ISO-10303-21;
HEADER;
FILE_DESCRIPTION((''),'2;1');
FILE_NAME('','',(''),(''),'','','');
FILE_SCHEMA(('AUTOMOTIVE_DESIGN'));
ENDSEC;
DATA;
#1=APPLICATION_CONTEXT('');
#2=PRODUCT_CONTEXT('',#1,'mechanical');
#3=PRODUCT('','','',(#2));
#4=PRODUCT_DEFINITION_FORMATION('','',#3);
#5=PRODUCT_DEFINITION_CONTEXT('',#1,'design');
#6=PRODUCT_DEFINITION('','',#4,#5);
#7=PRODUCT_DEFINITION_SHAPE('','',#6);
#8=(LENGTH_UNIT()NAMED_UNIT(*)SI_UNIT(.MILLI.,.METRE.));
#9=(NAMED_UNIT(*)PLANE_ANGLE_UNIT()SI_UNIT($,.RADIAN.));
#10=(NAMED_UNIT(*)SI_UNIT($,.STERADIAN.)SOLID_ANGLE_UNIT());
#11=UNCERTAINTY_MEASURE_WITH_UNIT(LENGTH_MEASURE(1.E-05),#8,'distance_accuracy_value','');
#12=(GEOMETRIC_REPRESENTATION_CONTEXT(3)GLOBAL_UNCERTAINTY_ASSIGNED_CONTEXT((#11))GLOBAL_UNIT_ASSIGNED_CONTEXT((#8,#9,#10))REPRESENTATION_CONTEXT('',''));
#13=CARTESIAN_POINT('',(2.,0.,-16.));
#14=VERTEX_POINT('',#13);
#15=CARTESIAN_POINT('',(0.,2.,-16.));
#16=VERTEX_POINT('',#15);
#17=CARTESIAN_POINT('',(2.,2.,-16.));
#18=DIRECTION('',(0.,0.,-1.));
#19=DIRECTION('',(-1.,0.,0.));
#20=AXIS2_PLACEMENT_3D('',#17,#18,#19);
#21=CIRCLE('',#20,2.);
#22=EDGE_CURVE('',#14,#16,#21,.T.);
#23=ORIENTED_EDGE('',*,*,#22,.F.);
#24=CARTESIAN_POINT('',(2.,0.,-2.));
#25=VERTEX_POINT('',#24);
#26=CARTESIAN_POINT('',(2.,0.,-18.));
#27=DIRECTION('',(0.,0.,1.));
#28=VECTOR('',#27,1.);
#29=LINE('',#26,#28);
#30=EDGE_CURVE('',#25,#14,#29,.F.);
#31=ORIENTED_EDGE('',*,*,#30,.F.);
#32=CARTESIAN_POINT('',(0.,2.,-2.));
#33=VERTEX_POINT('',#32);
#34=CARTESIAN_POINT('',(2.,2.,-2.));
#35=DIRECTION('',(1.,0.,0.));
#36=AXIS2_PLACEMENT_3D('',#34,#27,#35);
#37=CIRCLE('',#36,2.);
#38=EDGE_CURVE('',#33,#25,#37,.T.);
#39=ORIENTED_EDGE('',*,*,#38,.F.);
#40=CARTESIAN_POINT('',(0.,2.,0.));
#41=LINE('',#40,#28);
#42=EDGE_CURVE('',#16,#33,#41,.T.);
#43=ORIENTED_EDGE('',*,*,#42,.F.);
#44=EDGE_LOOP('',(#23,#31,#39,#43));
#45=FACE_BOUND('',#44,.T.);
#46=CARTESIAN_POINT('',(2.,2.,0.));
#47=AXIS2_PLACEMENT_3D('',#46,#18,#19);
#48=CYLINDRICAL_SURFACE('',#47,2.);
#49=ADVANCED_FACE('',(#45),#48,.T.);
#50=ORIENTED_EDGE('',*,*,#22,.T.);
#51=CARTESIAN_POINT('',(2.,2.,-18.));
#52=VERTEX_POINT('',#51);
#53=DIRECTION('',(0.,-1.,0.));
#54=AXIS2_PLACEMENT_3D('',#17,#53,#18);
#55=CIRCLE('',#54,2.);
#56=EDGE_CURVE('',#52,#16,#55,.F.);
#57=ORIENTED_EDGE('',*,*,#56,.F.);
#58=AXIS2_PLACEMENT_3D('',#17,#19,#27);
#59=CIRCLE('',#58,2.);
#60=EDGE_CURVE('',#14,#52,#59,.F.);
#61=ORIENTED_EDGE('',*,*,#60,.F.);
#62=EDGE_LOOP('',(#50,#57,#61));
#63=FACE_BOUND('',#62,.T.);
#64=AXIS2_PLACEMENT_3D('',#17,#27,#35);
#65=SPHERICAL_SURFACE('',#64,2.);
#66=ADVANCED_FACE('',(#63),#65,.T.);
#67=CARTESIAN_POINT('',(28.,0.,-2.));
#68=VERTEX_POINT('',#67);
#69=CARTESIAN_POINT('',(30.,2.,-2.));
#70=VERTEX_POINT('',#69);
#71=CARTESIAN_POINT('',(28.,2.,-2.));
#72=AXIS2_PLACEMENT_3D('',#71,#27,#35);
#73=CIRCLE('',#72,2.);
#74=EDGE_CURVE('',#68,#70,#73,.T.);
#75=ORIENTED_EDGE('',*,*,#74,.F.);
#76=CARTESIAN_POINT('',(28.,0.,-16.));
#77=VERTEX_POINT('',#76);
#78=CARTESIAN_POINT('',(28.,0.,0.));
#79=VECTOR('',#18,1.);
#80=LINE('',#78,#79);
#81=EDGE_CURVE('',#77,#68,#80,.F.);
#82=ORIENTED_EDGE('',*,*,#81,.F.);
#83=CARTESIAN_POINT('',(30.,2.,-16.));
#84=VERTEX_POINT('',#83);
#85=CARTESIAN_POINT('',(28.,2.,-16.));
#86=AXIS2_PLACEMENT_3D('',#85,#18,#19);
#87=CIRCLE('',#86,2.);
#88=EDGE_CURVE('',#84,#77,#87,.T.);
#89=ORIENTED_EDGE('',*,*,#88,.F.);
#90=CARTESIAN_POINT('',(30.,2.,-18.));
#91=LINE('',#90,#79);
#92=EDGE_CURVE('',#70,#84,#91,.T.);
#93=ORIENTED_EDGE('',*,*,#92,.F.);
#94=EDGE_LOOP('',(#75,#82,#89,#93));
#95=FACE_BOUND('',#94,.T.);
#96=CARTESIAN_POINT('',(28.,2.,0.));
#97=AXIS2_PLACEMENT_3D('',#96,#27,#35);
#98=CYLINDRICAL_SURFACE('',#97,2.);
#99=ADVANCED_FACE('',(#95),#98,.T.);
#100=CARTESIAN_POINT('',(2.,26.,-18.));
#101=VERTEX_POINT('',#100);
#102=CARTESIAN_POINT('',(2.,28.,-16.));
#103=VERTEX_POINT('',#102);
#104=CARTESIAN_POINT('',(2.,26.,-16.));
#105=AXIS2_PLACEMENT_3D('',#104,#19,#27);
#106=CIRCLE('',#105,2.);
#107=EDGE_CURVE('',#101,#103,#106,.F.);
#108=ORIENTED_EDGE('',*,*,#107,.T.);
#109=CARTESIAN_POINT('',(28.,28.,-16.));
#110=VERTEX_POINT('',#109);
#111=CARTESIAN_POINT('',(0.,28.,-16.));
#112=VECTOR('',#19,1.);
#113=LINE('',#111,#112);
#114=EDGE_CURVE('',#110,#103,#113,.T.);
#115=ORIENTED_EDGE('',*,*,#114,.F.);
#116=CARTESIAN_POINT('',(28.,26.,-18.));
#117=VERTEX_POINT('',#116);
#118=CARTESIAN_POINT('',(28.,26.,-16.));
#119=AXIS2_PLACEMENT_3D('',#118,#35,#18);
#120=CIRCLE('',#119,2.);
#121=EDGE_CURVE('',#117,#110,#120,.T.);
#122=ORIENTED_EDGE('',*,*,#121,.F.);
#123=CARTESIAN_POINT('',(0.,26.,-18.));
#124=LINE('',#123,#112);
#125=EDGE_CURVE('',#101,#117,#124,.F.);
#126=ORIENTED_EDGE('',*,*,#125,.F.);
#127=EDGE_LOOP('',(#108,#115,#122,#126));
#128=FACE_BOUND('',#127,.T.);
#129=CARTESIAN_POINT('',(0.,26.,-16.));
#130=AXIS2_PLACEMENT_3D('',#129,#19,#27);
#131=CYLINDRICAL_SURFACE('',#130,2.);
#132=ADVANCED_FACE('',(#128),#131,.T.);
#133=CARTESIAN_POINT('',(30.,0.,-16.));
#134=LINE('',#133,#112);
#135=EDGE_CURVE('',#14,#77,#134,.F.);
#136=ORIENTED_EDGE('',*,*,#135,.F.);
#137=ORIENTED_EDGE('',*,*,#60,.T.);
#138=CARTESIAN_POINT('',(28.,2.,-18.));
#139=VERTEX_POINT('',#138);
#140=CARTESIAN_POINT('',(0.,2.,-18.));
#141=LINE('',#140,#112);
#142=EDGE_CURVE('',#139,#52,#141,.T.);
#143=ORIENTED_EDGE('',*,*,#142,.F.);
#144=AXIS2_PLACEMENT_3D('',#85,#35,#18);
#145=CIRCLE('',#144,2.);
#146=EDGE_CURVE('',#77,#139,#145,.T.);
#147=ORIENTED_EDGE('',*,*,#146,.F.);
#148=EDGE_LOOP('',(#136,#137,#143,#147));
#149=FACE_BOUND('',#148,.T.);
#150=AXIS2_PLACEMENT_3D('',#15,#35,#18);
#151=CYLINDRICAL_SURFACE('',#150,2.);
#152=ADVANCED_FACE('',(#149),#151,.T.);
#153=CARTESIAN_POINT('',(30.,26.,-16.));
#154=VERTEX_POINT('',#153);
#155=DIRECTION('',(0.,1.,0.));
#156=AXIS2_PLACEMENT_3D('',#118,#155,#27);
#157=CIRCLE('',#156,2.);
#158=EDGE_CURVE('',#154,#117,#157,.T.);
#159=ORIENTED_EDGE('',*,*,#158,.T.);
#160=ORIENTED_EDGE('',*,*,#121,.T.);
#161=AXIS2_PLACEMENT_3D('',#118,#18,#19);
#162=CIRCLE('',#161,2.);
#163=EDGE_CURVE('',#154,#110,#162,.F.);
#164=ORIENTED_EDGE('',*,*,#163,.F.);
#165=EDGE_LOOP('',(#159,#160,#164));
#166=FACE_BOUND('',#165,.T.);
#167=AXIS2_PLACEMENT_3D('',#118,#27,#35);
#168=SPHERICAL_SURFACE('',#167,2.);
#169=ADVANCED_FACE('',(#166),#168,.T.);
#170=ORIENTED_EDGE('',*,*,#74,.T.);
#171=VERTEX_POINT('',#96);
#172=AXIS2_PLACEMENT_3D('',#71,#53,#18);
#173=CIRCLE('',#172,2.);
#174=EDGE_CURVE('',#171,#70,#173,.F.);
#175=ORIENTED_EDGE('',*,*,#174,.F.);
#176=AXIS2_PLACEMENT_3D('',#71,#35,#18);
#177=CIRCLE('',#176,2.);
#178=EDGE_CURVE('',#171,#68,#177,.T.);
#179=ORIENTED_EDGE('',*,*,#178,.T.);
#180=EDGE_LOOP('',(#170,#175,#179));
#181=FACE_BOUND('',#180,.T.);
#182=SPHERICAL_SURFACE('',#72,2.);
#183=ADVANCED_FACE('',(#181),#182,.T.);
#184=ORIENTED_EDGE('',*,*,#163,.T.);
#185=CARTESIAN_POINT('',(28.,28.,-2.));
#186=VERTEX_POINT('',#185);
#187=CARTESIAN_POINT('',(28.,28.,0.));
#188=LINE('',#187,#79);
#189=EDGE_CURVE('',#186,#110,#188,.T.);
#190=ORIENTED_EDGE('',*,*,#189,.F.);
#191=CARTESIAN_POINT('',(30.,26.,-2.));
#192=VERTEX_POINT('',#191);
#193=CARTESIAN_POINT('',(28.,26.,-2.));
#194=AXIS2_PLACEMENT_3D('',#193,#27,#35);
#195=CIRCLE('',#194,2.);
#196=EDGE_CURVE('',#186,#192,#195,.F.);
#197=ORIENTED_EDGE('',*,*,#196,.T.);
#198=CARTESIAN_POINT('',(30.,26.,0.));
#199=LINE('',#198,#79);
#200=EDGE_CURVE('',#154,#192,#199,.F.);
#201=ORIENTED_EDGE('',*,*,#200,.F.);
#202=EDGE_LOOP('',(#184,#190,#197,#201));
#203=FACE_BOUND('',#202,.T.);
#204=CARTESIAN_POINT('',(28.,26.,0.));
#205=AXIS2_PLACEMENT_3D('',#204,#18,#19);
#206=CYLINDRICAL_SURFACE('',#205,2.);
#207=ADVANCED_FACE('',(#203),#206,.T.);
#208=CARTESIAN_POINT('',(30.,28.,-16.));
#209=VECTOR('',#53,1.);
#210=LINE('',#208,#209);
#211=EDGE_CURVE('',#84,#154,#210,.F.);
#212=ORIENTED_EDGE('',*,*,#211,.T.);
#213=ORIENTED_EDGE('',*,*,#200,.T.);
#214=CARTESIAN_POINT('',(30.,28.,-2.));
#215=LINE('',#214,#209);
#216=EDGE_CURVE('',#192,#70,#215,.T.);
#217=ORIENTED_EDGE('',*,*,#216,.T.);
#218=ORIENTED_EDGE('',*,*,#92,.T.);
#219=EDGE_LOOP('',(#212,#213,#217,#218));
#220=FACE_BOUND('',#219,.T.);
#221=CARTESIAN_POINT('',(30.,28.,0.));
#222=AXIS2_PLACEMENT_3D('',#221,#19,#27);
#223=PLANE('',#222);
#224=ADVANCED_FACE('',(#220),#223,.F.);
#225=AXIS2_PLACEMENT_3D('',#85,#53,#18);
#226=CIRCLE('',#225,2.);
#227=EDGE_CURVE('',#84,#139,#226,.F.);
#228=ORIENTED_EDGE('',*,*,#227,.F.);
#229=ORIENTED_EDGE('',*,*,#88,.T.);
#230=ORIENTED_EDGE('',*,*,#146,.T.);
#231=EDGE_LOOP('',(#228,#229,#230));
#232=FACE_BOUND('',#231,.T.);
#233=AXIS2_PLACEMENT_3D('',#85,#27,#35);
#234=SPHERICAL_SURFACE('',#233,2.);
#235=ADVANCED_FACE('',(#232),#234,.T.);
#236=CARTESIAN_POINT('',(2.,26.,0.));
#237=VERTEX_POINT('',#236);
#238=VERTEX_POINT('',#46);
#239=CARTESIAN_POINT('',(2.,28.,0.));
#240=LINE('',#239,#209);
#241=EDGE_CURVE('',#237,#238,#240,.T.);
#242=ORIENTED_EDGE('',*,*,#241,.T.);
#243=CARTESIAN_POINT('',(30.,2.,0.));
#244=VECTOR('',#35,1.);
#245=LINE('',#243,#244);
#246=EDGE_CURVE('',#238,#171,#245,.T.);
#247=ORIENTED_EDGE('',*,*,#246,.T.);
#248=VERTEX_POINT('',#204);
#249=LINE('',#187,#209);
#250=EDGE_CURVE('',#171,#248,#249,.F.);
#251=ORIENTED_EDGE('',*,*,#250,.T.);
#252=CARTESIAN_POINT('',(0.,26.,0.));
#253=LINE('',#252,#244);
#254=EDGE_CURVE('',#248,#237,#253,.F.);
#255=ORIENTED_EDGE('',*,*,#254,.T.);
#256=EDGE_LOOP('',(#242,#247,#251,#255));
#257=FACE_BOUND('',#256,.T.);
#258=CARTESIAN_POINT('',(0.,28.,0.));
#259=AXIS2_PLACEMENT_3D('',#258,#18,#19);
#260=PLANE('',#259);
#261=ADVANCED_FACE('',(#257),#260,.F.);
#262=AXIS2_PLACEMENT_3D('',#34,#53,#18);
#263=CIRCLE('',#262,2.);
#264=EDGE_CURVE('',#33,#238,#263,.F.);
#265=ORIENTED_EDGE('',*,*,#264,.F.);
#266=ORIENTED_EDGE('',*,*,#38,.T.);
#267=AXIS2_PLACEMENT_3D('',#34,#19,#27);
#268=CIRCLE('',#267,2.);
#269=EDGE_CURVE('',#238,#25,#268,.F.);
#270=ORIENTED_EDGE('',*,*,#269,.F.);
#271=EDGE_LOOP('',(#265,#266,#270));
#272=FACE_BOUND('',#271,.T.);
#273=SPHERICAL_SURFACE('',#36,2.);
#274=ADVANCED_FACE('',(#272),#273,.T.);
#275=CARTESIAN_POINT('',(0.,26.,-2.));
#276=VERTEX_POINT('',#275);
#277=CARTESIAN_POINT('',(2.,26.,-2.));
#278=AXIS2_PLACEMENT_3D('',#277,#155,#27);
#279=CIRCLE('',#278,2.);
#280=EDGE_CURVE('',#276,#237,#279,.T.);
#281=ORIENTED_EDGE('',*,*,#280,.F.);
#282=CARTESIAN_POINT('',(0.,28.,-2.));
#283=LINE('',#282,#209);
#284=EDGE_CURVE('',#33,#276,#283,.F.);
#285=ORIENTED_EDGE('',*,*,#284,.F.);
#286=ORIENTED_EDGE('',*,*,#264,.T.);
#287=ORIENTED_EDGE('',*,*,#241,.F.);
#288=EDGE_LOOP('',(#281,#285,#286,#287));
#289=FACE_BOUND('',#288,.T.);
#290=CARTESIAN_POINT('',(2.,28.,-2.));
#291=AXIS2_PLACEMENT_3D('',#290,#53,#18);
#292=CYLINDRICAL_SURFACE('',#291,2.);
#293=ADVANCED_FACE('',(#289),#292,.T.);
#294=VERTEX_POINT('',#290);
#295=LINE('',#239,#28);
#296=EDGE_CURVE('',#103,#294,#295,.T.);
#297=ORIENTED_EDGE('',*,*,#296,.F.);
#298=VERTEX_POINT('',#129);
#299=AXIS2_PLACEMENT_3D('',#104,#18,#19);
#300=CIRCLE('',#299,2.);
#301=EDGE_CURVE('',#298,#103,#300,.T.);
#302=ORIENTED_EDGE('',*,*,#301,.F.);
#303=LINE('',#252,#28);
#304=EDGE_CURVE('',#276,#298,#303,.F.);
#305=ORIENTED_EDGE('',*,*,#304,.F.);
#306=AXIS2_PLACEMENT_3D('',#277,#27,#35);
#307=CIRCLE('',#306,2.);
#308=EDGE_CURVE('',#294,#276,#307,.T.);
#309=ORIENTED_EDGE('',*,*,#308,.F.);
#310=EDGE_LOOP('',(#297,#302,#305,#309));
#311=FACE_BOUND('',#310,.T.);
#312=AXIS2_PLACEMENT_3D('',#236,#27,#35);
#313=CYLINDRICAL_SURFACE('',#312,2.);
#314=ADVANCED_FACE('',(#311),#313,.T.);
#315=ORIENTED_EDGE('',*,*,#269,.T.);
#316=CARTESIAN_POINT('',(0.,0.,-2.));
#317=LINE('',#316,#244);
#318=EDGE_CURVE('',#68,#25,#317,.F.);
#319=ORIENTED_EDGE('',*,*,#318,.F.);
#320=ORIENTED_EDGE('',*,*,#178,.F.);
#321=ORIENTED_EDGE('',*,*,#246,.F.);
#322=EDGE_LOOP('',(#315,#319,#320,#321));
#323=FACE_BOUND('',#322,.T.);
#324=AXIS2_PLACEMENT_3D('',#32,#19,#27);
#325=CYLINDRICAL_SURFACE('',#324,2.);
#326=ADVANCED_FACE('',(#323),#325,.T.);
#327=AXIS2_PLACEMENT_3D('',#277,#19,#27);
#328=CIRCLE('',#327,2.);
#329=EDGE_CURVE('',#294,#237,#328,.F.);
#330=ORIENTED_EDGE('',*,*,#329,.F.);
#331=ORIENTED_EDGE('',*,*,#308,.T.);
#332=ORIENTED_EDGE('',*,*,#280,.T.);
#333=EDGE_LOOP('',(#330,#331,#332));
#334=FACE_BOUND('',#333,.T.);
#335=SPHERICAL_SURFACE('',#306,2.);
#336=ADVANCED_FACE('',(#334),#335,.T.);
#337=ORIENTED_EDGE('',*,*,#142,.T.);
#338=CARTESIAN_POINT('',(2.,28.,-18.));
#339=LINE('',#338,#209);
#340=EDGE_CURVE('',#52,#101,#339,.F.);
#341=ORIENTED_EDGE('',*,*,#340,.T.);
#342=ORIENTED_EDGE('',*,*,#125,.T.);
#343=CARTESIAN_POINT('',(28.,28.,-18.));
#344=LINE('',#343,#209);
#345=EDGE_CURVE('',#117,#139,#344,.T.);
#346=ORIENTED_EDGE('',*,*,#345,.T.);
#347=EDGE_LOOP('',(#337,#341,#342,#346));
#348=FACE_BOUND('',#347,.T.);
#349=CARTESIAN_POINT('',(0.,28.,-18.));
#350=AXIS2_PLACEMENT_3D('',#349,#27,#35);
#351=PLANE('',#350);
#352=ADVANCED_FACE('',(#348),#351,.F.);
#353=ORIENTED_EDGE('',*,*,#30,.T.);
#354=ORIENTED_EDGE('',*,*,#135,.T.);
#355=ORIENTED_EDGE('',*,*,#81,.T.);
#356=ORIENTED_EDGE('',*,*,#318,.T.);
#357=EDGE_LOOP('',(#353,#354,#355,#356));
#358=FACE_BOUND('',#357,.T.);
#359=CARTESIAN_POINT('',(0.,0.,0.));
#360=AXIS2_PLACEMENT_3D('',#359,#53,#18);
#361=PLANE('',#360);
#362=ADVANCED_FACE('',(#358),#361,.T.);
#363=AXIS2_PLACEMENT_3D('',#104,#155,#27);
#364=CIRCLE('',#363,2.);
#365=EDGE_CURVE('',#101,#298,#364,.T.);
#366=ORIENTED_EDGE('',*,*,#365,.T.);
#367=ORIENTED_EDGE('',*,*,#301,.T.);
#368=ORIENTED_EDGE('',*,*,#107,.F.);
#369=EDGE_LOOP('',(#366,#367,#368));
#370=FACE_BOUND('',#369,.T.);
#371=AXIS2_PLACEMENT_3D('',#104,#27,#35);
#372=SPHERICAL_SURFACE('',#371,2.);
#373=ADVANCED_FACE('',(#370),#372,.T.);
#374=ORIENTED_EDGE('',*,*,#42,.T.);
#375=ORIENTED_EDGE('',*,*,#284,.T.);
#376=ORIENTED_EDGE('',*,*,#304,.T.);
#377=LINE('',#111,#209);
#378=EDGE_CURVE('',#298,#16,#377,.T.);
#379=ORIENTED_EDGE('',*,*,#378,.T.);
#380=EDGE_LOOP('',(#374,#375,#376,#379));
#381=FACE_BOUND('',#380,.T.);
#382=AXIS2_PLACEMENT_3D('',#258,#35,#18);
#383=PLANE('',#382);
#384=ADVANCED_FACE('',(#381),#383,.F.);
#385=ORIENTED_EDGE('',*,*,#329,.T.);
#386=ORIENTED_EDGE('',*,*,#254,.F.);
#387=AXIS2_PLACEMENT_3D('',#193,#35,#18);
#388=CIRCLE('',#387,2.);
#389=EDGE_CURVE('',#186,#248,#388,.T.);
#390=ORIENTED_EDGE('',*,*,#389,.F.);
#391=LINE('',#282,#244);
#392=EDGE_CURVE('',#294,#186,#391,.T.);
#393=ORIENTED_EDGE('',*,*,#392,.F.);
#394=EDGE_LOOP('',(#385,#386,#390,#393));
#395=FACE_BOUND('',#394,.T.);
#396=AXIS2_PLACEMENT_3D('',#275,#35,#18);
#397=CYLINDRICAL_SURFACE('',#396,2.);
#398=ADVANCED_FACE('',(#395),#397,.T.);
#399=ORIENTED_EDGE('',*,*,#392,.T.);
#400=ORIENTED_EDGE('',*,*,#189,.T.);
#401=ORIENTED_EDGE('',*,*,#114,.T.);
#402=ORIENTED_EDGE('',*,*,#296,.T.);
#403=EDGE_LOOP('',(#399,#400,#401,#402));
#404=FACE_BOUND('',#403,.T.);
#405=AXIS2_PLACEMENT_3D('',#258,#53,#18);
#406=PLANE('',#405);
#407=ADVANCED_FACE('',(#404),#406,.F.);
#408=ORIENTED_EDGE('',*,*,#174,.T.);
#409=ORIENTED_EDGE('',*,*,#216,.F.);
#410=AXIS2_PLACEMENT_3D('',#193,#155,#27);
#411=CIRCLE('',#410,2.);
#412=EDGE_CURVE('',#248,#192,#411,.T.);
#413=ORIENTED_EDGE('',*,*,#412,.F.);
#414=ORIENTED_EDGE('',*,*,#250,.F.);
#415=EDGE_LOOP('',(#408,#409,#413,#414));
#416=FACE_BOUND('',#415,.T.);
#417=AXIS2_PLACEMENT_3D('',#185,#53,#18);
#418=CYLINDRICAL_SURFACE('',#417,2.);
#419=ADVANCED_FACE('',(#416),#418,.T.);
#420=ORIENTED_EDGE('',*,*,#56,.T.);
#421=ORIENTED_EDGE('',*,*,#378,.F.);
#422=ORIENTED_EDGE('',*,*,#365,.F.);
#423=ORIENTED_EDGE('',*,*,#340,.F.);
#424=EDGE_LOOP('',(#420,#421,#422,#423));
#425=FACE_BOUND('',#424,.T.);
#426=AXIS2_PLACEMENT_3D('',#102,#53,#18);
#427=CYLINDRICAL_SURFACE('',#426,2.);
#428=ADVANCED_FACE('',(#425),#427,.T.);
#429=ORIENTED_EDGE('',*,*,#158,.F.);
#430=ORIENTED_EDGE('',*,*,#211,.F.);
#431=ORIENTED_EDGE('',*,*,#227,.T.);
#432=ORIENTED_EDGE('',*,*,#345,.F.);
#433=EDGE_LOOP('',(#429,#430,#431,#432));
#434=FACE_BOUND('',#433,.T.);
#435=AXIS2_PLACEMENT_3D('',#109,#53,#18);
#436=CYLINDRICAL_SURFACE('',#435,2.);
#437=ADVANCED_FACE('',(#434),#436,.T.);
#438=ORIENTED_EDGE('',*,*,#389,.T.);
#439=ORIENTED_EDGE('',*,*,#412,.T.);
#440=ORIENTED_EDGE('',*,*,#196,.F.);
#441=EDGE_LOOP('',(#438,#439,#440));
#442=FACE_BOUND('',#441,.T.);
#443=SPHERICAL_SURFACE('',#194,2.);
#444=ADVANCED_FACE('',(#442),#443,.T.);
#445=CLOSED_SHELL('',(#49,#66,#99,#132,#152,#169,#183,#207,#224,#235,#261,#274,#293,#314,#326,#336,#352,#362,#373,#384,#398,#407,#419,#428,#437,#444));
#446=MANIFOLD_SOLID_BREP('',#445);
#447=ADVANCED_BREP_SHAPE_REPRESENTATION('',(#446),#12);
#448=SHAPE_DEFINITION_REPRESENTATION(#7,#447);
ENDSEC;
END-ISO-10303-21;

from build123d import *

# Parameters (mm, degrees)
SKETCH1_W           = 30
SKETCH1_H           = 18
BOSS_EXTRUDE1_DEPTH = 28
FILLET1_R           = 2


with BuildPart() as part:
    # Sketch1 → Boss-Extrude1 (new body)
    with BuildSketch(Plane(origin=(0, 0, 0), x_dir=(1, 0, 0), z_dir=(0, 1, 0))):
        with Locations((15, 9)):
            Rectangle(SKETCH1_W, SKETCH1_H)
    extrude(amount=BOSS_EXTRUDE1_DEPTH)

    # Fillet1
    fillet1_edges = [part.edges().sort_by_distance(p)[0] for p in [
        (30, 28, -9),
        (15, 28, -18),
        (0, 28, -9),
        (15, 0, -18),
        (30, 0, -9),
        (15, 0, 0),
        (0, 0, -9),
        (15, 28, 0),
        (0, 14, -18),
        (30, 14, -18),
        (30, 14, 0),
        (0, 14, 0),
    ]]
    fillet(fillet1_edges, radius=FILLET1_R)


solid = part.part
